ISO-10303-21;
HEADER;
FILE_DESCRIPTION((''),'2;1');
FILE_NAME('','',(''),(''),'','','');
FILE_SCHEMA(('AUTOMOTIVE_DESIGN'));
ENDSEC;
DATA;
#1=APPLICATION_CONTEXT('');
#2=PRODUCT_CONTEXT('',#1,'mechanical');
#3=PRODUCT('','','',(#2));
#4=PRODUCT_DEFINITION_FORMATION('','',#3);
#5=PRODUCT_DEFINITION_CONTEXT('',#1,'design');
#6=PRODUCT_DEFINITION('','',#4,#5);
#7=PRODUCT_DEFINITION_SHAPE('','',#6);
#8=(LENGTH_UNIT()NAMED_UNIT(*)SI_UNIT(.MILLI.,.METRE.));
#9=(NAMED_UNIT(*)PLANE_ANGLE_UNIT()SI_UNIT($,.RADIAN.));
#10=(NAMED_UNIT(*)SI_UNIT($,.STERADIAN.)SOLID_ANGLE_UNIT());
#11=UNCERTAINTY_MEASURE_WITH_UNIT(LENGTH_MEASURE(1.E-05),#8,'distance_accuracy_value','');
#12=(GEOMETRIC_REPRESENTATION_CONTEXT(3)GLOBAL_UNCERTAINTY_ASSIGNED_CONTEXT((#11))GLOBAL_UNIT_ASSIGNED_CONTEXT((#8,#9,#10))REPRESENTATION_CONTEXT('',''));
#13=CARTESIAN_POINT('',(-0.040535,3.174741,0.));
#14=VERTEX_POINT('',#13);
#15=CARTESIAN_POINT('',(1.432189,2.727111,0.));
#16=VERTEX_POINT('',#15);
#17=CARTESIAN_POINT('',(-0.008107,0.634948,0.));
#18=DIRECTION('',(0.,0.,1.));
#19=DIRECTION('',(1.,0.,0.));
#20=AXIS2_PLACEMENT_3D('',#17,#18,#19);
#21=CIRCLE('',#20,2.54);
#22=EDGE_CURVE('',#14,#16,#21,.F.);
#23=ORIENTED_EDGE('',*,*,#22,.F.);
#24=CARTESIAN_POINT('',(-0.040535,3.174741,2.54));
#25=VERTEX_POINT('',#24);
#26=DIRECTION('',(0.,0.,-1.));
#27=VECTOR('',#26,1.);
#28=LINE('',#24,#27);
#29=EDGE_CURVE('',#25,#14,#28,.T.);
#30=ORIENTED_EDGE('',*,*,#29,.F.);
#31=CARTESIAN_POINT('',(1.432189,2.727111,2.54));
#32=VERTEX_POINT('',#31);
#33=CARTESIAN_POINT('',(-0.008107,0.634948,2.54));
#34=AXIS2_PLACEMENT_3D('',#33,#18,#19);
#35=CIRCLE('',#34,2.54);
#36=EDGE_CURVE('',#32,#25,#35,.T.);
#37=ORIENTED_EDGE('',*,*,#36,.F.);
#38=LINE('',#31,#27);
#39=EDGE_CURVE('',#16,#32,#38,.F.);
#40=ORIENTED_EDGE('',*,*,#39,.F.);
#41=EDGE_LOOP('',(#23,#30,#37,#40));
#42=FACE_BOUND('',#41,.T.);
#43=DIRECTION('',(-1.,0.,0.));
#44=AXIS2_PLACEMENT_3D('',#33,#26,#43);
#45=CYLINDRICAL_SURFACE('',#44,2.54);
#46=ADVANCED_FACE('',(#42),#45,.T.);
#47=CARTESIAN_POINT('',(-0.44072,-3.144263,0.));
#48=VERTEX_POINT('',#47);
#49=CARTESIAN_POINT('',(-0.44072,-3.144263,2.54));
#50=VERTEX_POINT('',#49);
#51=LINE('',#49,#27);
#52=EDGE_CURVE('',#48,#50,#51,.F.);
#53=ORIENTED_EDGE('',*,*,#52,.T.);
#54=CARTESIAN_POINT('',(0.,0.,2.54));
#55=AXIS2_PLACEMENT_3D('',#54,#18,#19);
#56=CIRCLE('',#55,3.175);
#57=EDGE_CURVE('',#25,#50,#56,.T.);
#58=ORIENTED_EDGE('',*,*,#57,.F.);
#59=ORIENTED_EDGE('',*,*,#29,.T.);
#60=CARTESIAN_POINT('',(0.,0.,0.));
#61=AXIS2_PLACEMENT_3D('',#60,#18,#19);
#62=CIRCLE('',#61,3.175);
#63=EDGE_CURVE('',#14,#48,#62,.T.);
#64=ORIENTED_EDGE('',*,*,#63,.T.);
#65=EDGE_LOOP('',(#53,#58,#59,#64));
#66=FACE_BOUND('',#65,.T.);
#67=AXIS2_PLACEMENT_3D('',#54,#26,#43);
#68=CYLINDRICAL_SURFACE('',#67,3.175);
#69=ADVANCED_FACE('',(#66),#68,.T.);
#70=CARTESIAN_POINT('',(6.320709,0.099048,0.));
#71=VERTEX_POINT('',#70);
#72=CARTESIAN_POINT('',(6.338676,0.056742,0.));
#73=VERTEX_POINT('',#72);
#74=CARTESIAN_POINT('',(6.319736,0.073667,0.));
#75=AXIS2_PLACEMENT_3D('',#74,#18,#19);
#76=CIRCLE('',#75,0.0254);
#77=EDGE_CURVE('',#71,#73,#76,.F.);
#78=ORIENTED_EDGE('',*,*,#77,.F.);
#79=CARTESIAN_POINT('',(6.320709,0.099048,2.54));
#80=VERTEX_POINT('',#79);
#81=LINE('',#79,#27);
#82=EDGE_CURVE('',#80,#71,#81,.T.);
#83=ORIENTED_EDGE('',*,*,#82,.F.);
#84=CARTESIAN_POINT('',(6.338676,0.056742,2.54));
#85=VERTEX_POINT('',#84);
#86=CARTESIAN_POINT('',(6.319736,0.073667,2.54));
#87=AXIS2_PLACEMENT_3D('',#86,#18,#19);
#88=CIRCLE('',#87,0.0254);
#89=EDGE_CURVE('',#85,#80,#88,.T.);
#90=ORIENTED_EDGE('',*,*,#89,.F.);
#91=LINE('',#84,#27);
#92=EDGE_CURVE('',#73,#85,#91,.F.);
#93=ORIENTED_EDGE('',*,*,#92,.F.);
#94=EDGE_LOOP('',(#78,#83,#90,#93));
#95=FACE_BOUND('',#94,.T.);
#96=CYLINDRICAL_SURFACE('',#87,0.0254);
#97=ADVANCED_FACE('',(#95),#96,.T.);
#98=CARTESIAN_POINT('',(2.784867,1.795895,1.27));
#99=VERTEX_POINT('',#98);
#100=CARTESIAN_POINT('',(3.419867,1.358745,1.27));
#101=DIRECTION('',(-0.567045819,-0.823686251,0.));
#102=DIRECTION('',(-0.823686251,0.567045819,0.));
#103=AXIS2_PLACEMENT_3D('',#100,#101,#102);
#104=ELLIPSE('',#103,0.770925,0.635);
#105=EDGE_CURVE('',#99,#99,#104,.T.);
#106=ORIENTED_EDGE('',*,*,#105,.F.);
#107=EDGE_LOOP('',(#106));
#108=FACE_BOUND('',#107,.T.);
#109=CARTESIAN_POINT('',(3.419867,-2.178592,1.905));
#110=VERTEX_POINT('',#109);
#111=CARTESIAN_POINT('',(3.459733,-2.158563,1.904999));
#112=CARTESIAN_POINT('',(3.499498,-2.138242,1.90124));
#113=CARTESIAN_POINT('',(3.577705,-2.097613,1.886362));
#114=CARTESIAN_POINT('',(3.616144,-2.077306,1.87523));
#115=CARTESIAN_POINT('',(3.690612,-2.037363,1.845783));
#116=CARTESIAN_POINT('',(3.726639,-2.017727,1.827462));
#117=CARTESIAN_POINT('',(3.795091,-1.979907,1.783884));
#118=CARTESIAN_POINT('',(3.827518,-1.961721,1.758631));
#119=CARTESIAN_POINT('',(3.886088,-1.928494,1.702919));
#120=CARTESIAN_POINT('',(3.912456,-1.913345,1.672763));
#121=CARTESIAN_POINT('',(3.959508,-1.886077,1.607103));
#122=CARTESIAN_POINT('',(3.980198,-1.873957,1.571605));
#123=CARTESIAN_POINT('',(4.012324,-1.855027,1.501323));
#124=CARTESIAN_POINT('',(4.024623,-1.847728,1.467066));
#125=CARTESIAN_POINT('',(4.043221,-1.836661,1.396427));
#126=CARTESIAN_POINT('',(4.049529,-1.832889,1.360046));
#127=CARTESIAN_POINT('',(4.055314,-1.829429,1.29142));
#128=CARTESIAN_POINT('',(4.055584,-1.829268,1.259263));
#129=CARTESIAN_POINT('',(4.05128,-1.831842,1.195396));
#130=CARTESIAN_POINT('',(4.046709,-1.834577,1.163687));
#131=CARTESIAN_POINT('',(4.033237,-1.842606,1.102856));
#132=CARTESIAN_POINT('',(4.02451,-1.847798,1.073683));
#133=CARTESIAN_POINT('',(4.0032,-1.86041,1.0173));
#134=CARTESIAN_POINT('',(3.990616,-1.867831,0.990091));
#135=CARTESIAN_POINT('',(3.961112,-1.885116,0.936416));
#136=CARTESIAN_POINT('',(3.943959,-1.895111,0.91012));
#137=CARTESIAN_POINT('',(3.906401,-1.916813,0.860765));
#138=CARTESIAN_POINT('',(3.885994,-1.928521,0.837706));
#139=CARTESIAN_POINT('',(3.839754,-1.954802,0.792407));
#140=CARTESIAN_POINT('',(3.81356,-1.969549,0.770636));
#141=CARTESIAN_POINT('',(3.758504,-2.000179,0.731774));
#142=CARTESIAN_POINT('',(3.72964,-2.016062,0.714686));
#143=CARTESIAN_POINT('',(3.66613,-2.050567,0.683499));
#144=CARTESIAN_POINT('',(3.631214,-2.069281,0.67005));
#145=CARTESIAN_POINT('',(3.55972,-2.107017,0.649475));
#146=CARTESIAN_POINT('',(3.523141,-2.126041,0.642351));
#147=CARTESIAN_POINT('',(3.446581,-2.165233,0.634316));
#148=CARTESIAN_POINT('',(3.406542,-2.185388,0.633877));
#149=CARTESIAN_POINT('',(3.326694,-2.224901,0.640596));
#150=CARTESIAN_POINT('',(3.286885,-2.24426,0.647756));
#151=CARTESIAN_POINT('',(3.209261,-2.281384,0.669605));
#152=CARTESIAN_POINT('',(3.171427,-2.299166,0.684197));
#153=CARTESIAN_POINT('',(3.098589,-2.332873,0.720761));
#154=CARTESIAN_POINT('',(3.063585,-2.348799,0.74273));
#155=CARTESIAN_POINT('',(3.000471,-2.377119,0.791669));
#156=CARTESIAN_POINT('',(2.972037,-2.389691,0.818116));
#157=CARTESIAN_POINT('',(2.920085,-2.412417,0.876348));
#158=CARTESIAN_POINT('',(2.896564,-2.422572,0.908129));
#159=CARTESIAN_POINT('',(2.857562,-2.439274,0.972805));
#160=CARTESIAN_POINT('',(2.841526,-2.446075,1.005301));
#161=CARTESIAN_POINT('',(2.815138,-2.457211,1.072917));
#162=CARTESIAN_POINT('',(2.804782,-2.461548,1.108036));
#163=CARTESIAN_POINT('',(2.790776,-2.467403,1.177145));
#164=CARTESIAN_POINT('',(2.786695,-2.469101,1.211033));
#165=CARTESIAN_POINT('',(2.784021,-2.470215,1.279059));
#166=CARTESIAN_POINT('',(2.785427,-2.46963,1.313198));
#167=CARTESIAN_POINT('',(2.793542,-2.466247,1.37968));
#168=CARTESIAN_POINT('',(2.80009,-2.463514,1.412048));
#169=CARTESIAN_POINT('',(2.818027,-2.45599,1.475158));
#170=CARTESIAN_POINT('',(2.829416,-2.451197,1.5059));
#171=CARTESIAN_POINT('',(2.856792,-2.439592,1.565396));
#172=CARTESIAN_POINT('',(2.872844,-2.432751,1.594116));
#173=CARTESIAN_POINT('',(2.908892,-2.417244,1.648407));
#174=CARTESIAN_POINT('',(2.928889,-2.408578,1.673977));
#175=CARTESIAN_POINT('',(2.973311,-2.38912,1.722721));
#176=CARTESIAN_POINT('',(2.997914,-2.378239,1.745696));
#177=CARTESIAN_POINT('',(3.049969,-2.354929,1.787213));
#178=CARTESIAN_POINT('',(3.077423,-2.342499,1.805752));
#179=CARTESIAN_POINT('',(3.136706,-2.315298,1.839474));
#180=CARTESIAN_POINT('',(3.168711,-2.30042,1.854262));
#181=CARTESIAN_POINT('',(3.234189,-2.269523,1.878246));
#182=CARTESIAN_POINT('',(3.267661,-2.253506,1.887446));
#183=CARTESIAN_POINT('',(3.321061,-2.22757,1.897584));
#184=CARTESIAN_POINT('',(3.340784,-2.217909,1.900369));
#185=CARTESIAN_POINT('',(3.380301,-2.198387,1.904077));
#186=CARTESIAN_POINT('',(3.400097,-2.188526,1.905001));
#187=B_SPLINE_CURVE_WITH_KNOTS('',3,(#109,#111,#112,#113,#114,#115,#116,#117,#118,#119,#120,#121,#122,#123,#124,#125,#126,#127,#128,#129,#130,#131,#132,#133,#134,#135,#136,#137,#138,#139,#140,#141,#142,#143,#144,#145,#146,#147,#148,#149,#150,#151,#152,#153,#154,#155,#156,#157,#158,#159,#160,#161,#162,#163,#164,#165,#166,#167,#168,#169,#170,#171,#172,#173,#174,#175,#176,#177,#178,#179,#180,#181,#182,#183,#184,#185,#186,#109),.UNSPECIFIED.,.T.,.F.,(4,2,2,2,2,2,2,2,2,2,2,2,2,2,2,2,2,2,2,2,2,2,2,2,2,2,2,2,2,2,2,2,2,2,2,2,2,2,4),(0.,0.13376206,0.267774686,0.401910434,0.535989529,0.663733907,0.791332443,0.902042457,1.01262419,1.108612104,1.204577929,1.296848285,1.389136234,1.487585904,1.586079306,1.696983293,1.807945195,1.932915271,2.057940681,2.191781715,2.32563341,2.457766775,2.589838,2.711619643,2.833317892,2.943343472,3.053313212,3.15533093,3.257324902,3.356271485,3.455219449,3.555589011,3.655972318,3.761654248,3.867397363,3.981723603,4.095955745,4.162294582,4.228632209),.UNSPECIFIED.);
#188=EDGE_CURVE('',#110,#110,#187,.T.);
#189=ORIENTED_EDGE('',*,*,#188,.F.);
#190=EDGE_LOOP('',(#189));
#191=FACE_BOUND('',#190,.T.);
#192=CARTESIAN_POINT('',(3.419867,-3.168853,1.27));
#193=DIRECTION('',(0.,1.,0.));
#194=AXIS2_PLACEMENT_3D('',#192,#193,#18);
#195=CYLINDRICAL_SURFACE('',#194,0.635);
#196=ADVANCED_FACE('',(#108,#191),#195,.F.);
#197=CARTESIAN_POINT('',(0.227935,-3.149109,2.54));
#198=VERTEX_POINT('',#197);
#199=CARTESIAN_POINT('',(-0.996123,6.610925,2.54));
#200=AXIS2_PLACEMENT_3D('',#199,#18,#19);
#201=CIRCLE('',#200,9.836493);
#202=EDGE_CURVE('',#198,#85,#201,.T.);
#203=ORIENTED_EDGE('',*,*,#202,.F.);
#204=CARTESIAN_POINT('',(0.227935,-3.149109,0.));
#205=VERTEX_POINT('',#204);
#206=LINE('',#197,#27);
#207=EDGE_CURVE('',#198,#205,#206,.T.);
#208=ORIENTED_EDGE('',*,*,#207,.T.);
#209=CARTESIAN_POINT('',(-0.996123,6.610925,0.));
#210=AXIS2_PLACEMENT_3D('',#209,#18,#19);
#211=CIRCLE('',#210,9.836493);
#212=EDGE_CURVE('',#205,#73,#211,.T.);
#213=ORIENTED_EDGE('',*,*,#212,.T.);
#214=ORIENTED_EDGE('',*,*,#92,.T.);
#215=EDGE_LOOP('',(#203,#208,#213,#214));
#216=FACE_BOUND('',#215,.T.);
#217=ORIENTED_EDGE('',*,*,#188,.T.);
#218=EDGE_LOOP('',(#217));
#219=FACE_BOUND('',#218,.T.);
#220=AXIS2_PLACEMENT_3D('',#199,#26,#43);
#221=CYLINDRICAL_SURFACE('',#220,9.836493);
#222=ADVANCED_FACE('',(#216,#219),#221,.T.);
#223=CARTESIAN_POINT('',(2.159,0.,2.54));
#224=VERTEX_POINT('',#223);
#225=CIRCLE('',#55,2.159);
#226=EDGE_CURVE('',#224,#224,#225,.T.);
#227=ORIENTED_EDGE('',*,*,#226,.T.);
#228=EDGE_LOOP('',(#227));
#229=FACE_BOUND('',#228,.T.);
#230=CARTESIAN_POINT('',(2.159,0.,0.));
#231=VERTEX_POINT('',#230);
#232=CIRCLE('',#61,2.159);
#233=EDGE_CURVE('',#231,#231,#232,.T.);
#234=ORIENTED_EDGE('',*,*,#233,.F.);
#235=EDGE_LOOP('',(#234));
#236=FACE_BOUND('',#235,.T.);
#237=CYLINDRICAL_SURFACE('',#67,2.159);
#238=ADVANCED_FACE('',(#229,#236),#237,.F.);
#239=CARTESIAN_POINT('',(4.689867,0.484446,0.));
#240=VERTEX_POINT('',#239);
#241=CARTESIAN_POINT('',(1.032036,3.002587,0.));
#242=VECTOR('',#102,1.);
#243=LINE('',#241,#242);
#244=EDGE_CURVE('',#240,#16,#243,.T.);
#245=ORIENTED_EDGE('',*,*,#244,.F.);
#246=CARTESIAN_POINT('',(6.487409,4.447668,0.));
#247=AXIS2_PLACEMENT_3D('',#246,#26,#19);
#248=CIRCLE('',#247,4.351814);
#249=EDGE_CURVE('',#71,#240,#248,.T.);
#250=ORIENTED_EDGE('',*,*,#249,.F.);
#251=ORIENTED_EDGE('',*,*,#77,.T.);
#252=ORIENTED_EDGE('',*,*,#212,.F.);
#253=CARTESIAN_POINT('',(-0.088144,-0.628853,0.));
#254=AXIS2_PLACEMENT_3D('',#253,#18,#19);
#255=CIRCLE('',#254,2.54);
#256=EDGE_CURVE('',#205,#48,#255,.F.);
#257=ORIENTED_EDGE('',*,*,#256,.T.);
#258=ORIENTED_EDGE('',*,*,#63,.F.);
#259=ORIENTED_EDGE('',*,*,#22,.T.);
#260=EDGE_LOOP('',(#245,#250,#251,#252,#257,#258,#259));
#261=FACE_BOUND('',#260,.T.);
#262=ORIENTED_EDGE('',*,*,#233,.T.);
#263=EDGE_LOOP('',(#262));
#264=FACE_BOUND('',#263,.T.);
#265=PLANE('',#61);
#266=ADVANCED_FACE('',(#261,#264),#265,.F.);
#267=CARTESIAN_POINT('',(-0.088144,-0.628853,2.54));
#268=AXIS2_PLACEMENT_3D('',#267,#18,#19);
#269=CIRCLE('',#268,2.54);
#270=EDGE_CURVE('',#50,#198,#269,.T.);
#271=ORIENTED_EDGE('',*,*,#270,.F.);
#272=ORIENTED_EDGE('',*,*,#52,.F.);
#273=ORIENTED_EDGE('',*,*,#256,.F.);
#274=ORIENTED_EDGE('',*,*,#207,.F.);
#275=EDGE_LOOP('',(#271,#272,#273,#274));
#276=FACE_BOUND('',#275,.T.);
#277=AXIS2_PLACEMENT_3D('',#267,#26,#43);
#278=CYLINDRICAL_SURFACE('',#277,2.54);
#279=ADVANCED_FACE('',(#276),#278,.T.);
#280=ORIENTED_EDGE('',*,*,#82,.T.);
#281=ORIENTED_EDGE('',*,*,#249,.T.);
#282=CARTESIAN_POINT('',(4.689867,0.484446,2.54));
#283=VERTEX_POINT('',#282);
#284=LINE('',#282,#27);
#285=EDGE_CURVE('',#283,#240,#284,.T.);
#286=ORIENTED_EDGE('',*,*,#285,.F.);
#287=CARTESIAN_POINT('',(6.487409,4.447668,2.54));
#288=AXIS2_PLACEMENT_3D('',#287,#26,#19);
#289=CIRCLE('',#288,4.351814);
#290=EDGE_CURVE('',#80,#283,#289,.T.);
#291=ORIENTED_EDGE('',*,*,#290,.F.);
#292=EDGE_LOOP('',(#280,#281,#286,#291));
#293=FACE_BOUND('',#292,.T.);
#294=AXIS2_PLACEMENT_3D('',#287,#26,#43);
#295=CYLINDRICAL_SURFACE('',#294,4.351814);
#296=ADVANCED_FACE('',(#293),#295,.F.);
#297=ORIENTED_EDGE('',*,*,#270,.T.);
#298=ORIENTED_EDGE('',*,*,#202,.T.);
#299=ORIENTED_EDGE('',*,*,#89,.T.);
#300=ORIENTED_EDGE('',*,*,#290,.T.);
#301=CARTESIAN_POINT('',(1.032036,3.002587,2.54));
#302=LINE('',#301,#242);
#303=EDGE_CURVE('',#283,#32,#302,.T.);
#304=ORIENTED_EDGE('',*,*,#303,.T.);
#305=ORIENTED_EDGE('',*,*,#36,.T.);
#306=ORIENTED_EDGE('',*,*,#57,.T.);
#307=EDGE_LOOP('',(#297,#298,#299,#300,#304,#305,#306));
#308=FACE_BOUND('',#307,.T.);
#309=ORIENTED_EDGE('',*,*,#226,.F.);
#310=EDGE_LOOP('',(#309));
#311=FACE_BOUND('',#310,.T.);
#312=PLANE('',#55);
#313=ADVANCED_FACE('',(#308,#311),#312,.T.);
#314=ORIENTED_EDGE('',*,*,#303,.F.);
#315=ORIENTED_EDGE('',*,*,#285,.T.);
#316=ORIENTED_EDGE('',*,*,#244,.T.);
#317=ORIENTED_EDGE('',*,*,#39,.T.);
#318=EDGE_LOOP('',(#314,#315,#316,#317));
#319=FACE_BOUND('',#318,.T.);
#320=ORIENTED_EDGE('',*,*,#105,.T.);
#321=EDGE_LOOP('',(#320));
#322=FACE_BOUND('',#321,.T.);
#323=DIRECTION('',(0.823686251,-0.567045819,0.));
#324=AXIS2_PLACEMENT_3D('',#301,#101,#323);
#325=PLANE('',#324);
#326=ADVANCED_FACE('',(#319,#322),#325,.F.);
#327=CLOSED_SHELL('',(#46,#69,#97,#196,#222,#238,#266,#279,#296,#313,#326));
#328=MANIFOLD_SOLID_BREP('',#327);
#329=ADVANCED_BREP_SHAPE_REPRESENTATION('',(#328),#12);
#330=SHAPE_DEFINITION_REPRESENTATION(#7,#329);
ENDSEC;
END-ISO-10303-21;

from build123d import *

# Parameters (mm, degrees)
SKETCH1_R               = 2.159
BOSS_EXTRUDE1_DEPTH     = 2.54
FILLET2_R               = 2.54
FILLET3_R               = 0.0254
CUT_EXTRUDE1_DEPTH      = 8.536089729
CUT_EXTRUDE1_DEPTH_BACK = 8.536089729
SKETCH6_R               = 0.635


with BuildPart() as part:
    # Sketch1 → Boss-Extrude1 (new body)
    with BuildSketch(Plane.XY):
        with BuildLine():
            Line((1.03203613, 3.002586623), (4.689867375, 0.484445873))
            ThreePointArc((4.689867375, 0.484445873), (5.512880678, 0.206373406), (6.374728135, 0.097313081))
            ThreePointArc((6.374728135, 0.097313081), (3.49593357, -2.139961579), (0, -3.175))
            ThreePointArc((0, -3.175), (-3.131600033, 0.523169415), (1.03203613, 3.002586623))
        make_face()
        Circle(SKETCH1_R, mode=Mode.SUBTRACT)
    extrude(amount=BOSS_EXTRUDE1_DEPTH)

    # Fillet2
    fillet2_edges = [part.edges().sort_by_distance(p)[0] for p in [
        (1.03203613, 3.002586623, 1.27),
        (0, -3.175, 1.27),
    ]]
    fillet(fillet2_edges, radius=FILLET2_R)

    # Fillet3
    fillet3_edges = [part.edges().sort_by_distance(p)[0] for p in [
        (6.374728135, 0.097313081, 1.27),
    ]]
    fillet(fillet3_edges, radius=FILLET3_R)

    # Sketch6 → Cut-Extrude1 (cut, two sides: drawn at the far end of the back side and taken through both)
    with BuildSketch(Plane(origin=(0, 0, 0), x_dir=(1, 0, 0), z_dir=(0, 1, 0)).offset(-CUT_EXTRUDE1_DEPTH_BACK)):
        with Locations(Location((3.419867375, -1.27, 0), (0, 0, 270))):
            Circle(SKETCH6_R)
    extrude(amount=CUT_EXTRUDE1_DEPTH + CUT_EXTRUDE1_DEPTH_BACK, mode=Mode.SUBTRACT)


solid = part.part
